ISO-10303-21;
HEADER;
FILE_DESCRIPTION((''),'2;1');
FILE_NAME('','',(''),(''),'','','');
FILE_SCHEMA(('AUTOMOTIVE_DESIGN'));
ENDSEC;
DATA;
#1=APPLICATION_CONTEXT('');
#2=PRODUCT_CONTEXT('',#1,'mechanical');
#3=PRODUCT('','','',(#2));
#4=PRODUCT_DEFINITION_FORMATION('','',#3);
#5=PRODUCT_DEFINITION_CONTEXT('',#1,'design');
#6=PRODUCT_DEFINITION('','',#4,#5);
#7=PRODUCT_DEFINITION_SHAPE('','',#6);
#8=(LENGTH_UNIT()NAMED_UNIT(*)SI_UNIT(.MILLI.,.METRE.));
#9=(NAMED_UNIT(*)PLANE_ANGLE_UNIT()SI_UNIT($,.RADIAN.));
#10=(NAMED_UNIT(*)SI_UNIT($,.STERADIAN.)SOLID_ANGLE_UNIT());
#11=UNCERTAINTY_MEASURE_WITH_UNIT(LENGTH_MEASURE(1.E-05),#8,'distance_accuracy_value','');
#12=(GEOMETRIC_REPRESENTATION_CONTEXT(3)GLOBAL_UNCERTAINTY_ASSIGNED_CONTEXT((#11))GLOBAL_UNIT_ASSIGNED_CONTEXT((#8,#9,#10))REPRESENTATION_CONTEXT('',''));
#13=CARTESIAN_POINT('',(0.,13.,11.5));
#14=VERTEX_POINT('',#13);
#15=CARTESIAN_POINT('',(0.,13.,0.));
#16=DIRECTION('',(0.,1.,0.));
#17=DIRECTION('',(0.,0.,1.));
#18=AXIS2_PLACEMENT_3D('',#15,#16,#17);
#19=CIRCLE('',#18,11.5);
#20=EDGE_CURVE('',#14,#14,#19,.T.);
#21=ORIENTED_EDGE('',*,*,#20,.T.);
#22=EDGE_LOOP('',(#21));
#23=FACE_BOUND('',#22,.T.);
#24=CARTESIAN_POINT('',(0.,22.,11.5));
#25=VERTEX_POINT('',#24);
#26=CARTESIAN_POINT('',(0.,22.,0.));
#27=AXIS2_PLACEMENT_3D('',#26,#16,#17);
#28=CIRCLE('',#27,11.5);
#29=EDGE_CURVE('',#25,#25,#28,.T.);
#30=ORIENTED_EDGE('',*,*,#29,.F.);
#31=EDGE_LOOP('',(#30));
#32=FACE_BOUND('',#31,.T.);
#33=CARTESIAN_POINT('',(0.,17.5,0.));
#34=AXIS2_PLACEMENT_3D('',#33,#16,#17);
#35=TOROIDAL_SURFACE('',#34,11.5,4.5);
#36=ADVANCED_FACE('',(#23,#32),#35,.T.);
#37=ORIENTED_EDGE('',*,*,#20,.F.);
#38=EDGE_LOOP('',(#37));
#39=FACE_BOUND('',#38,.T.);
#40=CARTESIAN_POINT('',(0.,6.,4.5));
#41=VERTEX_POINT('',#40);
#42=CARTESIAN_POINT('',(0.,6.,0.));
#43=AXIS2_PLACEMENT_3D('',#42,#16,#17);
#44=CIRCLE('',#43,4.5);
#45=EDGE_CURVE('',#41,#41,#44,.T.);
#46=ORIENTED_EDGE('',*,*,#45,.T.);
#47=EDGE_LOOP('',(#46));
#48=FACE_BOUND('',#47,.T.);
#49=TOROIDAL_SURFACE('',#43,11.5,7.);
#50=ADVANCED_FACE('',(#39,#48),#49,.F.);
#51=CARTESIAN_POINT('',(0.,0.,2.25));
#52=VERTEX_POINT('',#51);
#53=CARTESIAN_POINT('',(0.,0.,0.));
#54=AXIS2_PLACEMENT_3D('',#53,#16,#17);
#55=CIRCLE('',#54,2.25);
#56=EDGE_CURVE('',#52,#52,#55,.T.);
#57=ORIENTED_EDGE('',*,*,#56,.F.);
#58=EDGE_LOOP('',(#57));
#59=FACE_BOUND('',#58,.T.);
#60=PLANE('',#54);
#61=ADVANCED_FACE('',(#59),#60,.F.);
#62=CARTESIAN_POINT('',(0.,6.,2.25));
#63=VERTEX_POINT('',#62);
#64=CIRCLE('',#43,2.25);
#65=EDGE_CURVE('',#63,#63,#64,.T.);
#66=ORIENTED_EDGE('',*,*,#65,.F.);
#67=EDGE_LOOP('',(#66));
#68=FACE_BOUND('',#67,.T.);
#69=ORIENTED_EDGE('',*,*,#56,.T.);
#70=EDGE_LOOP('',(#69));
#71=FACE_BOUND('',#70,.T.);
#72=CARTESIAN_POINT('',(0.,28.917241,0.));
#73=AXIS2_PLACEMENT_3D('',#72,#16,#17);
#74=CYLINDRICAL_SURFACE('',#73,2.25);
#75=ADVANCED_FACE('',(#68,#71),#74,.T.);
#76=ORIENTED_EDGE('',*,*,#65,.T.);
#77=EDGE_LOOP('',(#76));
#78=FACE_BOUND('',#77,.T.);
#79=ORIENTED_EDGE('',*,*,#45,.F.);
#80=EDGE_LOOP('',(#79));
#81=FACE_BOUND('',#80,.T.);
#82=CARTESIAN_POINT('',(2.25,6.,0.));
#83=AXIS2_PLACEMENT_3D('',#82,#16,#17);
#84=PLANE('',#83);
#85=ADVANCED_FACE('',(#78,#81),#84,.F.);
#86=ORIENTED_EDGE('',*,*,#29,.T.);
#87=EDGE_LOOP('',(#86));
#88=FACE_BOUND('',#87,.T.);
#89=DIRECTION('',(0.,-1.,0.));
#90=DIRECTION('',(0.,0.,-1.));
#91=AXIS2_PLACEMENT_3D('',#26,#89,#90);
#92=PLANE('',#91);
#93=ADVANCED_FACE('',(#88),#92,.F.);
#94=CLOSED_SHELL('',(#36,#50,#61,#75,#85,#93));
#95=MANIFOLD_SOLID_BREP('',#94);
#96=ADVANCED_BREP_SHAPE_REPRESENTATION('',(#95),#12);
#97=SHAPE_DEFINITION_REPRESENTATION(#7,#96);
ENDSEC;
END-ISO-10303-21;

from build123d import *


with BuildPart() as part:
    # Sketch1 → Revolve1 (revolve)
    with BuildSketch(Plane.XY):
        with BuildLine():
            Line((0, 0), (2.25, 0))
            Line((2.25, 0), (2.25, 6))
            Line((2.25, 6), (4.5, 6))
            ThreePointArc((4.5, 6), (6.550252532, 10.949747468), (11.5, 13))
            ThreePointArc((11.5, 13), (16, 17.5), (11.5, 22))
            Line((11.5, 22), (0, 22))
            Line((0, 22), (0, 0))
        make_face()
    revolve(axis=Axis((0, 28.917241484, 0), (0, -1, 0)))


solid = part.part
